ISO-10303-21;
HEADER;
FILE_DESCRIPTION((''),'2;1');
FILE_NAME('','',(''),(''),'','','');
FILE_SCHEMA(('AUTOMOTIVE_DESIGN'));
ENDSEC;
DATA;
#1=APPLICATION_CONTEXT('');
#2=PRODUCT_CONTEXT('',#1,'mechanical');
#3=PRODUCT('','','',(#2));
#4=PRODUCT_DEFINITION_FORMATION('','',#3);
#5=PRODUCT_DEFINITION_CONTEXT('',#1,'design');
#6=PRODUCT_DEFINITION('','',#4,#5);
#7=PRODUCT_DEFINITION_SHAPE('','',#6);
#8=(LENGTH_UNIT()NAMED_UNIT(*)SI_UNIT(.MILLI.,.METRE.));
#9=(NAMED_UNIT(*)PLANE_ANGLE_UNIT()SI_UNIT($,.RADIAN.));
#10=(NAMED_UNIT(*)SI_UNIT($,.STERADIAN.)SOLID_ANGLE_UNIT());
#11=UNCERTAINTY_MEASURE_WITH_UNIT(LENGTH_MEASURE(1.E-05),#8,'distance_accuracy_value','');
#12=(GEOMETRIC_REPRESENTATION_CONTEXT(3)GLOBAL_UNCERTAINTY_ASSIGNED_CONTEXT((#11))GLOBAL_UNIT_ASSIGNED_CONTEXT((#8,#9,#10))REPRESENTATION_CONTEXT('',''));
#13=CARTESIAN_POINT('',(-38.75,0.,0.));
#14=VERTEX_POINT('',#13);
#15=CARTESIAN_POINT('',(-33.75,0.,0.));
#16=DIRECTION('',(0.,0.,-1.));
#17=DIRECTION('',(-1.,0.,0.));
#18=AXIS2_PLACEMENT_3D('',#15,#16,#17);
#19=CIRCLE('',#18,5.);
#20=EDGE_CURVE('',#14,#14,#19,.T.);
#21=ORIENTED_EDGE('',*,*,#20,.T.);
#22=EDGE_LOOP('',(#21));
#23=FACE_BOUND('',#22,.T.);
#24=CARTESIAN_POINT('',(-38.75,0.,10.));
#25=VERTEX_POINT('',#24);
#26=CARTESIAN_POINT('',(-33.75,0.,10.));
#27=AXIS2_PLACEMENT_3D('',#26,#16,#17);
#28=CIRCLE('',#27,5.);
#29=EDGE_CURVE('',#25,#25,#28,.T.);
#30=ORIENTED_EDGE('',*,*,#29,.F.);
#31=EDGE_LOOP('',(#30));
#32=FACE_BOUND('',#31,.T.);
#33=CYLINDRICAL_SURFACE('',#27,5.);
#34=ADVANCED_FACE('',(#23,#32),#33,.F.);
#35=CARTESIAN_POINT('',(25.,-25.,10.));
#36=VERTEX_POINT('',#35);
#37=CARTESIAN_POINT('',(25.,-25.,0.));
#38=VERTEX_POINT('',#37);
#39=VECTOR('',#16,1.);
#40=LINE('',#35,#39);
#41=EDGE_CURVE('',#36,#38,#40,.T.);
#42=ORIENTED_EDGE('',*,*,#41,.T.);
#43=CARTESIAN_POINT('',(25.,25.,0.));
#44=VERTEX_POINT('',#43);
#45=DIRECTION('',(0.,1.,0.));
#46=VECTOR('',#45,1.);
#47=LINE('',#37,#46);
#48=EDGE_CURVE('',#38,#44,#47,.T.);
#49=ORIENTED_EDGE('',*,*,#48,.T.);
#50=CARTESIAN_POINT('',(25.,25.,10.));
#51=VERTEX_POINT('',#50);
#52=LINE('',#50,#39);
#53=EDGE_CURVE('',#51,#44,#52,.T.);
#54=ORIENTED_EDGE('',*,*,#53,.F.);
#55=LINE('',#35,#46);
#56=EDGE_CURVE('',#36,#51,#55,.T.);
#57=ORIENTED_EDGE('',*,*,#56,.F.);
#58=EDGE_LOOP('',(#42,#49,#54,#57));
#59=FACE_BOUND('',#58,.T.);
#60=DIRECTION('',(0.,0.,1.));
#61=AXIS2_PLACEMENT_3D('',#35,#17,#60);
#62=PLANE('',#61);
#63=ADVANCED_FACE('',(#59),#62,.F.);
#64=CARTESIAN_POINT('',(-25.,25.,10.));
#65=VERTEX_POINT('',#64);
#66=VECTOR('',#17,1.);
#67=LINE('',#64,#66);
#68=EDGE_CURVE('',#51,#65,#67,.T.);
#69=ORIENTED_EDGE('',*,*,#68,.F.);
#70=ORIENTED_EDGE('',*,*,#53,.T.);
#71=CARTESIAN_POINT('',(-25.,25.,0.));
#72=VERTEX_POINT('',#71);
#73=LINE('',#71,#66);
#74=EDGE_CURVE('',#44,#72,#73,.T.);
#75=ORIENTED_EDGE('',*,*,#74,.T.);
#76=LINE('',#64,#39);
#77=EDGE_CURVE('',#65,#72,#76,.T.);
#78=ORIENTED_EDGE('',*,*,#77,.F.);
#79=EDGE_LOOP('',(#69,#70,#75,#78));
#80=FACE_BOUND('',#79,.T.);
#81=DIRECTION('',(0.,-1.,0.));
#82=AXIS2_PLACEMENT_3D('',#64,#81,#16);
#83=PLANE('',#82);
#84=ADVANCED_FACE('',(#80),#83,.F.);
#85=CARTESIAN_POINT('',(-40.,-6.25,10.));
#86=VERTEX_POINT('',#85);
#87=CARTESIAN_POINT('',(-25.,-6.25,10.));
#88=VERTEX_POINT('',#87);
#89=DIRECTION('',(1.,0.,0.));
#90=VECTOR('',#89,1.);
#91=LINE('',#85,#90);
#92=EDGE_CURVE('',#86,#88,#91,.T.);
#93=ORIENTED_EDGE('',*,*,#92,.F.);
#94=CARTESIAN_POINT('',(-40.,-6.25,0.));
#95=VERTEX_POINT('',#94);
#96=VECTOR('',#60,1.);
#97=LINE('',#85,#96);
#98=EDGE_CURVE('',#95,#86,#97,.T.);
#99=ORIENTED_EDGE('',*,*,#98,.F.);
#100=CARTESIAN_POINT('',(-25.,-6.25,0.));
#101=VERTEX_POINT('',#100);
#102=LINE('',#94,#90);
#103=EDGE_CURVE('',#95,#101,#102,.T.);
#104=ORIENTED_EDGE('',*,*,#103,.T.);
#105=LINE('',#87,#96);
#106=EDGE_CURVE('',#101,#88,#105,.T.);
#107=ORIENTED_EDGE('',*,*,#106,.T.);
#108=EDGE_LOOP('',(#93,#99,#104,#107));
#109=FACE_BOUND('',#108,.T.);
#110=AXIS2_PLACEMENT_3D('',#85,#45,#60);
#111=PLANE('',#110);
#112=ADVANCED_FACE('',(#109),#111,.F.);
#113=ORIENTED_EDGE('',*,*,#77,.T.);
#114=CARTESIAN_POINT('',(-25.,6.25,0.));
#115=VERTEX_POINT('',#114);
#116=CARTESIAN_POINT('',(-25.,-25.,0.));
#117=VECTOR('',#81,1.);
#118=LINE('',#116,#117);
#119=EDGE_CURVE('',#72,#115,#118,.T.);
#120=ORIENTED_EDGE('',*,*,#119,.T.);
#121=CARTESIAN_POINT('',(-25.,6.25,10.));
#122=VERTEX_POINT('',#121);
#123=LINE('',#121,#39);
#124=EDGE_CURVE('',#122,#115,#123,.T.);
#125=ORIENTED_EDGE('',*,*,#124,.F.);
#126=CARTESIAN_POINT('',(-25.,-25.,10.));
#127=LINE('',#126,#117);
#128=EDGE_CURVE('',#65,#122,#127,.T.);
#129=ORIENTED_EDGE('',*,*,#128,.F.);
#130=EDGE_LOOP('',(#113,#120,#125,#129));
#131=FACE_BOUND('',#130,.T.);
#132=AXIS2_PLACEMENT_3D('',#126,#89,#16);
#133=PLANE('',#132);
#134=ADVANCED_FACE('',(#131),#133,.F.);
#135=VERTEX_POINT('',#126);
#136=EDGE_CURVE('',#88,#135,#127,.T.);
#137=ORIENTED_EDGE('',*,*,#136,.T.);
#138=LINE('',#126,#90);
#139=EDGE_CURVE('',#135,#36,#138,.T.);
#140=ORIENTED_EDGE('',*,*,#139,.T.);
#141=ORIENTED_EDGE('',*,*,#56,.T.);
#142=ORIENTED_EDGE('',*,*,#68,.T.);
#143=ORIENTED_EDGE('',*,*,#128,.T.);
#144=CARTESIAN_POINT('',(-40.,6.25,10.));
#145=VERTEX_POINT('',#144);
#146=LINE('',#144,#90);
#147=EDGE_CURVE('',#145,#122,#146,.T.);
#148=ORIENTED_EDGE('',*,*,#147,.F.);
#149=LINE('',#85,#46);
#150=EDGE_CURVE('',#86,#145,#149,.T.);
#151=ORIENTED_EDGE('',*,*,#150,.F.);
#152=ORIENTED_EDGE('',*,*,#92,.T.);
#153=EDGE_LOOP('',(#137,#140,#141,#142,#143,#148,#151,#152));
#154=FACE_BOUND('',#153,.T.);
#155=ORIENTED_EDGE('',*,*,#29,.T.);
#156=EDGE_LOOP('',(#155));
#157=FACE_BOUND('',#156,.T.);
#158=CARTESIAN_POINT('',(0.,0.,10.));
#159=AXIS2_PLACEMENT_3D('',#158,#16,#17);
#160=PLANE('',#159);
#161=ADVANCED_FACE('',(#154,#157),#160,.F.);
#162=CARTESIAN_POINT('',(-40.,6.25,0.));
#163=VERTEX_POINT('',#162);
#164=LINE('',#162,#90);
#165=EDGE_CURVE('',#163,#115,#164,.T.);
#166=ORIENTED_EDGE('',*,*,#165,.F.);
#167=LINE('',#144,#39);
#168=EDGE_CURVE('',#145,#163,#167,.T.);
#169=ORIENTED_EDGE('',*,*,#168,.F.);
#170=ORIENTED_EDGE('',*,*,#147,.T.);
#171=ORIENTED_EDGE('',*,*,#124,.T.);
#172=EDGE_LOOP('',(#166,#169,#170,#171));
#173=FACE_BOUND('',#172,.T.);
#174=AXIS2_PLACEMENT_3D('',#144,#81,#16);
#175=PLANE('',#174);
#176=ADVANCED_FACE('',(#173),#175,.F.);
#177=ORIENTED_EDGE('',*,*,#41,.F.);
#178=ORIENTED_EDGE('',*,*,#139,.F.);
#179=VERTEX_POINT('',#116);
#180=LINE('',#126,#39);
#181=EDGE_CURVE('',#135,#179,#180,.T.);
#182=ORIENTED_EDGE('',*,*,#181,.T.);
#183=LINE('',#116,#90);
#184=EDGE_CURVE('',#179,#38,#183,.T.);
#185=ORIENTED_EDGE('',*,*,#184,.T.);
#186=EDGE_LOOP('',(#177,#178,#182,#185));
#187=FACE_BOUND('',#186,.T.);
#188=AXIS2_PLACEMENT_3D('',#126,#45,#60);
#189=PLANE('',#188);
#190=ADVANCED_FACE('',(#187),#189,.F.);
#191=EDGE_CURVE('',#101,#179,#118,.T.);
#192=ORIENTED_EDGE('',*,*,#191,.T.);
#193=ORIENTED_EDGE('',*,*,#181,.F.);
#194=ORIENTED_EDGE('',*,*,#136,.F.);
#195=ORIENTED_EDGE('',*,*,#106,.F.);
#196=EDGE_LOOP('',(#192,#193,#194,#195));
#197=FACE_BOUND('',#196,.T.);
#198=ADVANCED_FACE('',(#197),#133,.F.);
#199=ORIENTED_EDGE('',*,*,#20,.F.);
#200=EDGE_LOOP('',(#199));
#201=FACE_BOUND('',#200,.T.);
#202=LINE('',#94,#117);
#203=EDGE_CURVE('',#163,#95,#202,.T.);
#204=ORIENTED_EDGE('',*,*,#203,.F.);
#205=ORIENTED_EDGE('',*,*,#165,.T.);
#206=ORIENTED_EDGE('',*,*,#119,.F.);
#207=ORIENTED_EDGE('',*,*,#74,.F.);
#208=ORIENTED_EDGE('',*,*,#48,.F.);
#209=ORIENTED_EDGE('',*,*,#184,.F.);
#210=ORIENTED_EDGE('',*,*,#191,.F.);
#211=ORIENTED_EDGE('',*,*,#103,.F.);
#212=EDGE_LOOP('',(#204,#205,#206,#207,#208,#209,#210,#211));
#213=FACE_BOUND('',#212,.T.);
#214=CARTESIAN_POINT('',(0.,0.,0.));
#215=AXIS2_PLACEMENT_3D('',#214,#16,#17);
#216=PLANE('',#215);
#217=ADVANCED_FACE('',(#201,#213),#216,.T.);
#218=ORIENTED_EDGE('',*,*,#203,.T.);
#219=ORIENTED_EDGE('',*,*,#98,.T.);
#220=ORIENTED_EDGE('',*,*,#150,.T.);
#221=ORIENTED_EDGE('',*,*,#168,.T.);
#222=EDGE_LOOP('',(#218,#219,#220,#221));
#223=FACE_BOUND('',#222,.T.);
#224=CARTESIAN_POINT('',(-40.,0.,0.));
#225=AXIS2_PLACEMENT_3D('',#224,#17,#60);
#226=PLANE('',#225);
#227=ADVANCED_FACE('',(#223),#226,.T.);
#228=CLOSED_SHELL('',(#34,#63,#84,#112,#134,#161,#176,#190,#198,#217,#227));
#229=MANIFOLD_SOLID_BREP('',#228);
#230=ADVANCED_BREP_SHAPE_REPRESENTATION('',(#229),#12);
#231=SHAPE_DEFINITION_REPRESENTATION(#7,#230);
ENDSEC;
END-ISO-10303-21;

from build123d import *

# Parameters (mm, degrees)
SKETCH1_W           = 50
SKETCH1_H           = 50
BOSS_EXTRUDE1_DEPTH = 10
SKETCH6_W           = 10
SKETCH6_H           = 12.5
BOSS_EXTRUDE5_DEPTH = 15
SKETCH7_R           = 5
CUT_EXTRUDE2_DEPTH  = 49.218253805


with BuildPart() as part:
    # Sketch1 → Boss-Extrude1 (new body)
    with BuildSketch(Plane.XY):
        Rectangle(SKETCH1_W, SKETCH1_H)
    extrude(amount=BOSS_EXTRUDE1_DEPTH)

    # Sketch6 → Boss-Extrude5 (add)
    with BuildSketch(Plane.ZY.offset(25)):
        with Locations((5, 0)):
            Rectangle(SKETCH6_W, SKETCH6_H)
    extrude(amount=BOSS_EXTRUDE5_DEPTH)

    # Sketch7 → Cut-Extrude2 (cut, through all)
    with BuildSketch(Plane(origin=(0, 0, 0), x_dir=(-1, 0, 0), z_dir=(0, 0, -1))):
        with Locations((33.75, 0)):
            Circle(SKETCH7_R)
    extrude(amount=-CUT_EXTRUDE2_DEPTH, mode=Mode.SUBTRACT)


solid = part.part
